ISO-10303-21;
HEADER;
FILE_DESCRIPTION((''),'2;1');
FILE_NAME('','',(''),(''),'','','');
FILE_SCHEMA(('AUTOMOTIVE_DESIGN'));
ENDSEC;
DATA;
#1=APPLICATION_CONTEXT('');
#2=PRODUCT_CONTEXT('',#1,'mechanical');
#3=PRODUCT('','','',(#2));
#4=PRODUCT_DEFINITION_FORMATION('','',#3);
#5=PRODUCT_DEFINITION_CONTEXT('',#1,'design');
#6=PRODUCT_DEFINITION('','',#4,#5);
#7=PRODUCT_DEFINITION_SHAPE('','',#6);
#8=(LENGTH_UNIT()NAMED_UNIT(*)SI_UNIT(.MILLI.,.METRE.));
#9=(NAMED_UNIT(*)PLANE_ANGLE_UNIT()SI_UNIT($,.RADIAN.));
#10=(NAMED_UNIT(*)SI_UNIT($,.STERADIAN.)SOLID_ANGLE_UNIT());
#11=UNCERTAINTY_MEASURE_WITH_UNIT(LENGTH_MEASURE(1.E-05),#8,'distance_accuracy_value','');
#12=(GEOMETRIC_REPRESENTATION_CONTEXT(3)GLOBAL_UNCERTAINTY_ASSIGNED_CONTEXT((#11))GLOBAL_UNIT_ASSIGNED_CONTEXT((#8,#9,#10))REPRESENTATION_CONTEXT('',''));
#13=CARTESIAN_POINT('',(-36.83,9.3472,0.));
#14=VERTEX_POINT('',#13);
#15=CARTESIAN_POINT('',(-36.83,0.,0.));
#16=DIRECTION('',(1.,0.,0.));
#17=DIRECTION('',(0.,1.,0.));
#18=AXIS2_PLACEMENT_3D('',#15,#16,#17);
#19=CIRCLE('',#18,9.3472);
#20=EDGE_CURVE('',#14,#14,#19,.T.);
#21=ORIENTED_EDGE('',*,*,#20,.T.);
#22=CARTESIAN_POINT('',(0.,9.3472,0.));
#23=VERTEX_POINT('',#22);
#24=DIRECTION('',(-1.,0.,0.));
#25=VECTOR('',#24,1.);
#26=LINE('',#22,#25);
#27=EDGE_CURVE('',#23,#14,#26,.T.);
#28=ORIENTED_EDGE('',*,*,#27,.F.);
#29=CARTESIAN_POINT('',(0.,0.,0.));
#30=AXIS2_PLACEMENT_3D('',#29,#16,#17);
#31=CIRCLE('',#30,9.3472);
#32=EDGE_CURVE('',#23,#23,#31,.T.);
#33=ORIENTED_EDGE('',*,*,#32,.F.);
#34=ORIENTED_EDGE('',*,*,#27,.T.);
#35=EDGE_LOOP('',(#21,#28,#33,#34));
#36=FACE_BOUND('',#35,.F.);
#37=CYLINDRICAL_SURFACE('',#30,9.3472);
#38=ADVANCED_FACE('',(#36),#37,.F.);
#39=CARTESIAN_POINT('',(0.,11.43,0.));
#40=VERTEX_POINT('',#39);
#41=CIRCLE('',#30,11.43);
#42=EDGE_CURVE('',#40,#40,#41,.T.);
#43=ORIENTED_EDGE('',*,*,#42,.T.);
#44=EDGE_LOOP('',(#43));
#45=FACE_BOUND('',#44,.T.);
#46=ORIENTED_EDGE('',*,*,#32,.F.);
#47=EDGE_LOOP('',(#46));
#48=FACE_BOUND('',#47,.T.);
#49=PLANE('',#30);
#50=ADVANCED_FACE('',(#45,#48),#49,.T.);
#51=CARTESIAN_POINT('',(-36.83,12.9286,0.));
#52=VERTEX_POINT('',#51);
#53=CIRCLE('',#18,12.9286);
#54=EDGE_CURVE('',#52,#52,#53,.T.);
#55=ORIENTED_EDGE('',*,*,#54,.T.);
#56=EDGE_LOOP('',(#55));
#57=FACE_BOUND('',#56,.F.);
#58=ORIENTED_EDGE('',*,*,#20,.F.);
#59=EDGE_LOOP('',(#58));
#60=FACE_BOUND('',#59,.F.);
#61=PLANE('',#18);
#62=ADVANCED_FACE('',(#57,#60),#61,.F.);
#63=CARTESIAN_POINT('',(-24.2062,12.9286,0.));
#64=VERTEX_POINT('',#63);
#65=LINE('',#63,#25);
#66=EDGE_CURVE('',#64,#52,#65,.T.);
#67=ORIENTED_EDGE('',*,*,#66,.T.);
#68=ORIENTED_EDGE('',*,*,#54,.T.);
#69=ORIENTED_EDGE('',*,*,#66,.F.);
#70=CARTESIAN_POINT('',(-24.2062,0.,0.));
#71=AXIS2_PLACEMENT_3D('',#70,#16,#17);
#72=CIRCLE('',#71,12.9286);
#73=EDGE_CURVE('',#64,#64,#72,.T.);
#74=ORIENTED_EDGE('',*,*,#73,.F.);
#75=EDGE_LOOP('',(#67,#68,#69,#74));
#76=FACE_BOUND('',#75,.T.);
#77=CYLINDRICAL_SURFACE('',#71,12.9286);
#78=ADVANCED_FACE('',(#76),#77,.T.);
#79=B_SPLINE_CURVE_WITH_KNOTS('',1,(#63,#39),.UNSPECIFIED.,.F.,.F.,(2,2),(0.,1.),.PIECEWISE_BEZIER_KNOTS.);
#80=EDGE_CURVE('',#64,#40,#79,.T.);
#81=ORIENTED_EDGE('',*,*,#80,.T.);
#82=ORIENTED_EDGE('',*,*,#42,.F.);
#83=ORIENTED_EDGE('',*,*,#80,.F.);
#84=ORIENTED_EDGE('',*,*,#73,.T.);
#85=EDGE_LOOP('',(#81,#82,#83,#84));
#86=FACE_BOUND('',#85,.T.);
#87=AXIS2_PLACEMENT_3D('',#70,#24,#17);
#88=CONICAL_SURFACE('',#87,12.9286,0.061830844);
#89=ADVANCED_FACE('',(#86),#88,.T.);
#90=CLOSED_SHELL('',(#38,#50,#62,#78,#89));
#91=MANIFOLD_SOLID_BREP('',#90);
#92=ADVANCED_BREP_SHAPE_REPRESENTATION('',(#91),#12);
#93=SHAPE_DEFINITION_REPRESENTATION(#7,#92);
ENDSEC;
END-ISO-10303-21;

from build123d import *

# Parameters (mm, degrees)
F2_R      = 12.9286
F3_DEPTH  = 12.6238
F3_FACE_R = 12.9286
F0_R      = 11.43
F5_R      = 9.3472
F6_DEPTH  = 36.831


with BuildPart() as f3:
    # F2 (on offset) → F3 (new body)
    with BuildSketch(Plane.YZ.offset(-24.2062)):
        Circle(F2_R)
    extrude(amount=-F3_DEPTH)

    # F3_face (on face) → F4 section 0
    with BuildSketch(Plane.YZ.offset(-24.2062)):
        Circle(F3_FACE_R)
    # F0 (on Right) → F4 section 1
    with BuildSketch(Plane.YZ):
        Circle(F0_R)
    loft()

    # F5 (on face) → F6 (cut, through all)
    with BuildSketch(Plane.YZ):
        Circle(F5_R)
    extrude(amount=-F6_DEPTH, mode=Mode.SUBTRACT)


solid = f3.part
